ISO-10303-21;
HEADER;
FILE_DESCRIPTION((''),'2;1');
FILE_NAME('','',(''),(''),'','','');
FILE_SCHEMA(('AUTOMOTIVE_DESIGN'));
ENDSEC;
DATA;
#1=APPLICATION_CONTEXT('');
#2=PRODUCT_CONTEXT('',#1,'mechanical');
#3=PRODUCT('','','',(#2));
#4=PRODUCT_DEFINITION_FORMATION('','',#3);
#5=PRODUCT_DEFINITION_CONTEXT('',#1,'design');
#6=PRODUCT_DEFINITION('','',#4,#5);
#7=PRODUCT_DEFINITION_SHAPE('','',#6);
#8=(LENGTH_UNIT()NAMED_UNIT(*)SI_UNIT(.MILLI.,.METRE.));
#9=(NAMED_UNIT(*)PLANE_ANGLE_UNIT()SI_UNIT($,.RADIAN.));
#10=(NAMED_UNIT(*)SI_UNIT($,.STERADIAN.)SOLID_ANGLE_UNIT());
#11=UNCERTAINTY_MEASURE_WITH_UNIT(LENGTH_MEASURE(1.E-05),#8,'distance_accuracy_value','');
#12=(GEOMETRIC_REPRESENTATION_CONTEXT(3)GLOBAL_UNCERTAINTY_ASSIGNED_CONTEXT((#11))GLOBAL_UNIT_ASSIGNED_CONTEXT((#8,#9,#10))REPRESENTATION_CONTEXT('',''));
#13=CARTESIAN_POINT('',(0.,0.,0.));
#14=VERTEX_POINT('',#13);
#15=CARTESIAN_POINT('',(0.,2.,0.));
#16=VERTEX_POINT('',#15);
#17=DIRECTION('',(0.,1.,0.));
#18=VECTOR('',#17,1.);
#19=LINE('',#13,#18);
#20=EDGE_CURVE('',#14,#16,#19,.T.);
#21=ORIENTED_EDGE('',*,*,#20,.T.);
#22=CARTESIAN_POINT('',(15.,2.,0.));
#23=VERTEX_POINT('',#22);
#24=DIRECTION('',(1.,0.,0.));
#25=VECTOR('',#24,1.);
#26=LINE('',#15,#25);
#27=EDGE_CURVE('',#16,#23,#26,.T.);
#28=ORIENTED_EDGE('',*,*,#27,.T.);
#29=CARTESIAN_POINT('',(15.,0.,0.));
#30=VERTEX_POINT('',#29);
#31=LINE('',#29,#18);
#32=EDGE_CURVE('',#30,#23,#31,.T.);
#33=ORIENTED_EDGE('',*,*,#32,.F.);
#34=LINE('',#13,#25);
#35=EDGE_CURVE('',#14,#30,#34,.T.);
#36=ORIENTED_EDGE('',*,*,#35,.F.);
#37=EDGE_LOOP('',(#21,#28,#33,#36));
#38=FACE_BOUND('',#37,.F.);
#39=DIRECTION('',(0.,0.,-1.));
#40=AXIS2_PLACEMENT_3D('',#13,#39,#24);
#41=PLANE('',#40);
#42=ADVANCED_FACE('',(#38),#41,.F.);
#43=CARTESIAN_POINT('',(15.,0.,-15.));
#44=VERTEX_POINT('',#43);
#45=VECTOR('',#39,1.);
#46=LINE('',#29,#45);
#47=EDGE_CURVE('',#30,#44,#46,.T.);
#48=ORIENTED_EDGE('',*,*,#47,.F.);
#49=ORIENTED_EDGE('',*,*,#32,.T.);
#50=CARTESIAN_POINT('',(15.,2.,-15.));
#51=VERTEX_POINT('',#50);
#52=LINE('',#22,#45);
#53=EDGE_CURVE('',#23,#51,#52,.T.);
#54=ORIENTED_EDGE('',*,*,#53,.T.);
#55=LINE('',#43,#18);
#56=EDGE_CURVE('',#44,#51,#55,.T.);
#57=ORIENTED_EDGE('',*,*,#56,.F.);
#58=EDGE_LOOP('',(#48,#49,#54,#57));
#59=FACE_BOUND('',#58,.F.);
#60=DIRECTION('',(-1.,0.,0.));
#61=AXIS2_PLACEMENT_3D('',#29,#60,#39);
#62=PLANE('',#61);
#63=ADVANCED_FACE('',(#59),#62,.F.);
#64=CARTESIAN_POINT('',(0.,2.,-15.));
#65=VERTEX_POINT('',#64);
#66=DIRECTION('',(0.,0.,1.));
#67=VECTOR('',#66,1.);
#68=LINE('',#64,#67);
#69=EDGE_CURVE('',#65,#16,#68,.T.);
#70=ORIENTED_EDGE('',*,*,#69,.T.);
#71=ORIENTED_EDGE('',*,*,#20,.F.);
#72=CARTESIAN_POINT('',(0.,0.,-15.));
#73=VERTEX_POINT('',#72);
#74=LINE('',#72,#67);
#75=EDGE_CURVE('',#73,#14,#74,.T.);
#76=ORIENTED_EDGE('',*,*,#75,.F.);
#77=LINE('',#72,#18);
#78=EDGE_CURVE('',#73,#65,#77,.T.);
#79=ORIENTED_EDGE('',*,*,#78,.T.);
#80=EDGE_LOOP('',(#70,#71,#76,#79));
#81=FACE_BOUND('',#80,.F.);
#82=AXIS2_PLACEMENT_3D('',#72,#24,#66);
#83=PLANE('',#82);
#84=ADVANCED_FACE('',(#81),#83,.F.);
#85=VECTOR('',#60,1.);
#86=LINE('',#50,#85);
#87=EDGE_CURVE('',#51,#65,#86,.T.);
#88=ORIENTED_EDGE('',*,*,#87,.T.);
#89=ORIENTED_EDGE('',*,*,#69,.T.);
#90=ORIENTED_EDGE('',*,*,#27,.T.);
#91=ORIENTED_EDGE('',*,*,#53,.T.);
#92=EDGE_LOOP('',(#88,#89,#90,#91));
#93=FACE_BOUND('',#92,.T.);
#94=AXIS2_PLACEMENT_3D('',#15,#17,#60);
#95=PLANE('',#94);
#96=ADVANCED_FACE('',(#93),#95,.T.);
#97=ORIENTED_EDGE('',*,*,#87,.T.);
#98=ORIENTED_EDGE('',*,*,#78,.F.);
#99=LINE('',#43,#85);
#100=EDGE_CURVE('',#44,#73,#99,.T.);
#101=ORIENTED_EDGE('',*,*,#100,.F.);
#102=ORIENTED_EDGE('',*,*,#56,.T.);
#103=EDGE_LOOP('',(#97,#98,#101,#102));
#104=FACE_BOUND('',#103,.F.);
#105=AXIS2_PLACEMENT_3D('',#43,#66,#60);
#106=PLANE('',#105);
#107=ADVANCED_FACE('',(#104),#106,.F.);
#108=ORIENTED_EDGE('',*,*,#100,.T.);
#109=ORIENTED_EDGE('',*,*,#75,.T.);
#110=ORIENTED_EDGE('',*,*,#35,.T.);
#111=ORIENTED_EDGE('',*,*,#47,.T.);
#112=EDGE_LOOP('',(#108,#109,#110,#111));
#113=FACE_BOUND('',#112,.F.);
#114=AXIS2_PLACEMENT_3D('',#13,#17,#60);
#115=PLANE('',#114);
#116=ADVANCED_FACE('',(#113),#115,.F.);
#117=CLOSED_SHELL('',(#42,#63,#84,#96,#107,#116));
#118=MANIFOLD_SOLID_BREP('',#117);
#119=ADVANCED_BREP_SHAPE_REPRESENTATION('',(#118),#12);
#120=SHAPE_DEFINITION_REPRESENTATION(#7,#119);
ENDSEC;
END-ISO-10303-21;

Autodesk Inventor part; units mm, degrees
ref_plane "YZ Plane" through (0, 0, 0) normal (1, 0, 0) x (0, 1, 0)
ref_plane "XZ Plane" through (0, 0, 0) normal (0, 1, 0) x (-1, 0, 0)
ref_plane "XY Plane" through (0, 0, 0) normal (0, 0, 1) x (1, 0, 0)
sketch "Sketch1" plane through (0, 0, 0) normal (0, 1, 0) x (-1, 0, 0)
  line L0 (0, 0) -> (-15, 0)
  line L1 (-15, 0) -> (-15, -15)
  line L2 (-15, -15) -> (0, -15)
  line L3 (0, -15) -> (0, 0)
  dimension "d0" = 15
  dimension "d1" = 15
extrude "Extrusion1" add sketch "Sketch1" along normal blind 2
properties part number "oled"
